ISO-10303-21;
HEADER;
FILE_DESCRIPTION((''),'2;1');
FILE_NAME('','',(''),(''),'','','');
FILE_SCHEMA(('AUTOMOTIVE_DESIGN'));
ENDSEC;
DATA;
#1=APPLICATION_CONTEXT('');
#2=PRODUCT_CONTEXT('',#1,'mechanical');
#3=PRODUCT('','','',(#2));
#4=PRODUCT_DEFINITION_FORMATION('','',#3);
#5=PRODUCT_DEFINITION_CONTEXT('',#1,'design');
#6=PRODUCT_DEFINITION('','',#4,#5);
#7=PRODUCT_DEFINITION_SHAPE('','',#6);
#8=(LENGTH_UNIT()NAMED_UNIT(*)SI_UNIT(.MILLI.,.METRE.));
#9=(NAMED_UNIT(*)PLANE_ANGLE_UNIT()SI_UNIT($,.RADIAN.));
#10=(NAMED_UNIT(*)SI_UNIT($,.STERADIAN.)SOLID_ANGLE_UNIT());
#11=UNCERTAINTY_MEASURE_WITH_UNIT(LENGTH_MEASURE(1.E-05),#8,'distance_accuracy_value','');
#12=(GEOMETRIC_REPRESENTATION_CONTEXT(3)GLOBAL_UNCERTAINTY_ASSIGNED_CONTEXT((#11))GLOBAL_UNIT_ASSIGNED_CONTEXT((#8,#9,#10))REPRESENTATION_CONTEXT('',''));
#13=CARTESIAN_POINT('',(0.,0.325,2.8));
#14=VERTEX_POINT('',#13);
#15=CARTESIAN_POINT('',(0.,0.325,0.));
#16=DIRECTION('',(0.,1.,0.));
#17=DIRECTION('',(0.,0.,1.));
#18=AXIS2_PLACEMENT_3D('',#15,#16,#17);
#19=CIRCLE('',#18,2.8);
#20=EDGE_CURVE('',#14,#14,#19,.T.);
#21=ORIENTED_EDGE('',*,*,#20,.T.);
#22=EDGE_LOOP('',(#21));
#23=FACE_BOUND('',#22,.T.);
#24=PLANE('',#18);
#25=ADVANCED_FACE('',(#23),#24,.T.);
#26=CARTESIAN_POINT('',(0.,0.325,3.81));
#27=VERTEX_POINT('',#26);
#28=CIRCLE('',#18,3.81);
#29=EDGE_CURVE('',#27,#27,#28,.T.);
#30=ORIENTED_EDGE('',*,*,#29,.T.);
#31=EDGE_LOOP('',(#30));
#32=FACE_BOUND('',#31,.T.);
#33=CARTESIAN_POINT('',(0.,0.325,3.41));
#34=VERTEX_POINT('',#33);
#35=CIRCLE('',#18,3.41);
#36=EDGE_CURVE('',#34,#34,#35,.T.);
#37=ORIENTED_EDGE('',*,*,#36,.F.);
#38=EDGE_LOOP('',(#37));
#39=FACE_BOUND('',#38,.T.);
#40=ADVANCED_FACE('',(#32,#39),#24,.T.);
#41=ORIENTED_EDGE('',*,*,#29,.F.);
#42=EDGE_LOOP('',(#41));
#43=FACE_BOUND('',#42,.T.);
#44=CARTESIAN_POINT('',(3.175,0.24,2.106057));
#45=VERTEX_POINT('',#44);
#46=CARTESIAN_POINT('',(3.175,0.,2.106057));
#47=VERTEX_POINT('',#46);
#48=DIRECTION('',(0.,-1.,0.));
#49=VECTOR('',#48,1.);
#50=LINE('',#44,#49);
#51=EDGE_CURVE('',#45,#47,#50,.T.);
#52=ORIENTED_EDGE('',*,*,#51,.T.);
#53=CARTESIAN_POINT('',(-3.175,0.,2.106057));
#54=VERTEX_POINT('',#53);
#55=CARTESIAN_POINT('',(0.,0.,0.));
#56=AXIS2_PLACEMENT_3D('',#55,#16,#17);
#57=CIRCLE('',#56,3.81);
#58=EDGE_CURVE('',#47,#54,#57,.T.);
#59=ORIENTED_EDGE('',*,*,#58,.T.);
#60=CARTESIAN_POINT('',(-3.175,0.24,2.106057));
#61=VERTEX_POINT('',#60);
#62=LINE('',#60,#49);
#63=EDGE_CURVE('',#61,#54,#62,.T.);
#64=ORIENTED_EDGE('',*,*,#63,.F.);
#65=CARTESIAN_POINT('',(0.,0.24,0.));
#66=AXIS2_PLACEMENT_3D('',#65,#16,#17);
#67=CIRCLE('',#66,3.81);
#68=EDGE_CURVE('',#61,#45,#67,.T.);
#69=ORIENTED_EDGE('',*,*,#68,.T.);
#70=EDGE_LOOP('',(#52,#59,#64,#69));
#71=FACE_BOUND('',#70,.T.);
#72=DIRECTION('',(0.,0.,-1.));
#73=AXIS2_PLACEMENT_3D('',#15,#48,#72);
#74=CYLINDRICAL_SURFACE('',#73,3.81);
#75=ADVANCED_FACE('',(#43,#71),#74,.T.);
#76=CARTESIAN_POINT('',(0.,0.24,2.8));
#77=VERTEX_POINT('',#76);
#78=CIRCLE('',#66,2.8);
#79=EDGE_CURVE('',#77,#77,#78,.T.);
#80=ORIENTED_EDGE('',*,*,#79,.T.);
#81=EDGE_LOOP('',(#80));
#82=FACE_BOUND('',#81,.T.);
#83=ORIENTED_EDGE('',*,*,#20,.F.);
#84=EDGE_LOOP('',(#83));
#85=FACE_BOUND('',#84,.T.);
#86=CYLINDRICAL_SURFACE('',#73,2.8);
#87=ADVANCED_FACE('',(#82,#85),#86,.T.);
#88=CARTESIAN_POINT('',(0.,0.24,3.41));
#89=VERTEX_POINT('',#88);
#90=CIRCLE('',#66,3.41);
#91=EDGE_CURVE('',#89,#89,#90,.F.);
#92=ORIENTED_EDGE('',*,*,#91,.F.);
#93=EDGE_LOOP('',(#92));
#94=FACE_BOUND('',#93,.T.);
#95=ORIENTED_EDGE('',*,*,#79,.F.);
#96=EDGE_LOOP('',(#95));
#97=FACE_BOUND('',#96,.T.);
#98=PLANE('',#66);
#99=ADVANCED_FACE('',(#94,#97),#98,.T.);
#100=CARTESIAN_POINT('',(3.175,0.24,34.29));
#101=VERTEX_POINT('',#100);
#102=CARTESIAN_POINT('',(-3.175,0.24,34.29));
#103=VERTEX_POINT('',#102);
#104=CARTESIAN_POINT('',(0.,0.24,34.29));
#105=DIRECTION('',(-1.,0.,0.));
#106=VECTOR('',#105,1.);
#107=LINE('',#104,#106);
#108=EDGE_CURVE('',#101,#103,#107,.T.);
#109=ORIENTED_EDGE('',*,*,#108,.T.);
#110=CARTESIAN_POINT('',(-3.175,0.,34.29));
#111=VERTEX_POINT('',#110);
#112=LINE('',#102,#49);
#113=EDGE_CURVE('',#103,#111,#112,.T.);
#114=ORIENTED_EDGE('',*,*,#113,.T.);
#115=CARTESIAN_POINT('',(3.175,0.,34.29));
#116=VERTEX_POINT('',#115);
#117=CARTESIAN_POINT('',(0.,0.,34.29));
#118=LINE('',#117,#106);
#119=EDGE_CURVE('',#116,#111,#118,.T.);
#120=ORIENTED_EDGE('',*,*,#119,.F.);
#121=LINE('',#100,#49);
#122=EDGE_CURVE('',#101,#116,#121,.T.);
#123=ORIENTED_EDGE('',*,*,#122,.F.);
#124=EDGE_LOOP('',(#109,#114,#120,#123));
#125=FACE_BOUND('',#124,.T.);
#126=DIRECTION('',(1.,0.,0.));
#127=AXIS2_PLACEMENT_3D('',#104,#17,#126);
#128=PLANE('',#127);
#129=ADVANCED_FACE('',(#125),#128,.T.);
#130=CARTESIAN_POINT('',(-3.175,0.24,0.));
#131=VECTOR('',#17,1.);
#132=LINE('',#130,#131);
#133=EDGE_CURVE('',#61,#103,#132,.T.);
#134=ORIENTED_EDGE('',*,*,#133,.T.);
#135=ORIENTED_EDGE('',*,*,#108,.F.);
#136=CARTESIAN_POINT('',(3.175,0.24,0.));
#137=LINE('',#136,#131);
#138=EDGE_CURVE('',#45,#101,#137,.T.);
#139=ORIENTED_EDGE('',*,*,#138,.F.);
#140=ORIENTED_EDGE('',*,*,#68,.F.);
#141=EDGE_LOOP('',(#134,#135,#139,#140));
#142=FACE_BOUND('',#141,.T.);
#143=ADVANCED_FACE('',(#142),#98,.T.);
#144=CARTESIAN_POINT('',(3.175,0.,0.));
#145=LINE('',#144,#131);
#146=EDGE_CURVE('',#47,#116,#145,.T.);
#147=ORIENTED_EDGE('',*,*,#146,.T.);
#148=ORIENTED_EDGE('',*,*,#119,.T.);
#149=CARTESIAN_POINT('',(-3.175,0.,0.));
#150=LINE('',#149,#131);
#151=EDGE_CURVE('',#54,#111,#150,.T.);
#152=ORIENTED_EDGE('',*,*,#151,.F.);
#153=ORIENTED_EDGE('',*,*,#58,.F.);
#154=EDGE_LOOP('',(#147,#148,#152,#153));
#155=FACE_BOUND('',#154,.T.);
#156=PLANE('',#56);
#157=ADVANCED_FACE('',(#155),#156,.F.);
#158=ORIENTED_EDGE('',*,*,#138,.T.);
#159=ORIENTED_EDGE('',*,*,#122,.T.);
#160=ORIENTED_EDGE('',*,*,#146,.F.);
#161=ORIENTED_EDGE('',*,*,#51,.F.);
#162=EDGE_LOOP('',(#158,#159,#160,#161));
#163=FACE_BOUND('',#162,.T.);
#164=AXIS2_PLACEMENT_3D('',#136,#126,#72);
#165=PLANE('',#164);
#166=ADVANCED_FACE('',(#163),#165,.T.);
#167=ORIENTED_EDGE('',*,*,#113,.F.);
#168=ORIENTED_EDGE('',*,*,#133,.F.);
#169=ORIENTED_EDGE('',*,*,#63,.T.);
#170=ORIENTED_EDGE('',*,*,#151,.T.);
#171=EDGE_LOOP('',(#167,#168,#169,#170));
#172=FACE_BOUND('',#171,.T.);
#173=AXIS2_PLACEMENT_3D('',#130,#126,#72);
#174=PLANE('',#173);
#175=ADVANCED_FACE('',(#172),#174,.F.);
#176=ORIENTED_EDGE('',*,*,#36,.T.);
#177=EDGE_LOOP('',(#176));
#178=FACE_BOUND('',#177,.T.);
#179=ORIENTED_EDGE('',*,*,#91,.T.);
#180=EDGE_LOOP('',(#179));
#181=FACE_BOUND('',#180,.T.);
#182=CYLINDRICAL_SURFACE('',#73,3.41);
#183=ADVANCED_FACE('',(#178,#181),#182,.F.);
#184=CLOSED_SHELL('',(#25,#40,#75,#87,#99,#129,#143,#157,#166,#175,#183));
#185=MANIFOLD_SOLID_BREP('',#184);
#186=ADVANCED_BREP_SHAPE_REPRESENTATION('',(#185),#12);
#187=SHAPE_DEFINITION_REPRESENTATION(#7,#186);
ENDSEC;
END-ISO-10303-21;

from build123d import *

# Parameters (mm, degrees)
SKETCH1_R             = 3.81
SKETCH1_R_2           = 3.41
BOSS_EXTRUDE1_DEPTH   = 0.325
SKETCH1_R_3           = 2.8
BOSS_EXTRUDE1_2_DEPTH = 0.325
SKETCH1_3_R           = 3.41
SKETCH1_3_R_2         = 2.8
BOSS_EXTRUDE2_DEPTH   = 0.24


with BuildPart() as part:
    # Sketch1 → Boss-Extrude1 (new body)
    with BuildSketch(Plane(origin=(0, 0, 0), x_dir=(1, 0, 0), z_dir=(0, 1, 0))):
        Circle(SKETCH1_R)
        Circle(SKETCH1_R_2, mode=Mode.SUBTRACT)
    extrude(amount=BOSS_EXTRUDE1_DEPTH)



with BuildPart() as body_2:
    # Sketch1 → Boss-Extrude1 2 (new body)
    with BuildSketch(Plane(origin=(0, 0, 0), x_dir=(1, 0, 0), z_dir=(0, 1, 0))):
        Circle(SKETCH1_R_3)
    extrude(amount=BOSS_EXTRUDE1_2_DEPTH)


with BuildPart() as part_1:
    add(part.part)

    add(body_2.part)  # Boss-Extrude2 merges body 2
    # Sketch1<3> → Boss-Extrude2 (add)
    # profile 1 of 2: a face of its own
    with BuildSketch(Plane(origin=(0, 0, 0), x_dir=(1, 0, 0), z_dir=(0, 1, 0))):
        with BuildLine():
            Line((-3.175, -2.106056742), (-3.175, -34.29))
            Line((-3.175, -34.29), (3.175, -34.29))
            Line((3.175, -34.29), (3.175, -2.106056742))
            ThreePointArc((3.175, -2.106056742), (0, -3.81), (-3.175, -2.106056742))
        make_face()
    # profile 2 of 2: a face of its own
    with BuildSketch(Plane(origin=(0, 0, 0), x_dir=(1, 0, 0), z_dir=(0, 1, 0))):
        Circle(SKETCH1_3_R)
        Circle(SKETCH1_3_R_2, mode=Mode.SUBTRACT)
    extrude(amount=BOSS_EXTRUDE2_DEPTH)


solid = part_1.part
